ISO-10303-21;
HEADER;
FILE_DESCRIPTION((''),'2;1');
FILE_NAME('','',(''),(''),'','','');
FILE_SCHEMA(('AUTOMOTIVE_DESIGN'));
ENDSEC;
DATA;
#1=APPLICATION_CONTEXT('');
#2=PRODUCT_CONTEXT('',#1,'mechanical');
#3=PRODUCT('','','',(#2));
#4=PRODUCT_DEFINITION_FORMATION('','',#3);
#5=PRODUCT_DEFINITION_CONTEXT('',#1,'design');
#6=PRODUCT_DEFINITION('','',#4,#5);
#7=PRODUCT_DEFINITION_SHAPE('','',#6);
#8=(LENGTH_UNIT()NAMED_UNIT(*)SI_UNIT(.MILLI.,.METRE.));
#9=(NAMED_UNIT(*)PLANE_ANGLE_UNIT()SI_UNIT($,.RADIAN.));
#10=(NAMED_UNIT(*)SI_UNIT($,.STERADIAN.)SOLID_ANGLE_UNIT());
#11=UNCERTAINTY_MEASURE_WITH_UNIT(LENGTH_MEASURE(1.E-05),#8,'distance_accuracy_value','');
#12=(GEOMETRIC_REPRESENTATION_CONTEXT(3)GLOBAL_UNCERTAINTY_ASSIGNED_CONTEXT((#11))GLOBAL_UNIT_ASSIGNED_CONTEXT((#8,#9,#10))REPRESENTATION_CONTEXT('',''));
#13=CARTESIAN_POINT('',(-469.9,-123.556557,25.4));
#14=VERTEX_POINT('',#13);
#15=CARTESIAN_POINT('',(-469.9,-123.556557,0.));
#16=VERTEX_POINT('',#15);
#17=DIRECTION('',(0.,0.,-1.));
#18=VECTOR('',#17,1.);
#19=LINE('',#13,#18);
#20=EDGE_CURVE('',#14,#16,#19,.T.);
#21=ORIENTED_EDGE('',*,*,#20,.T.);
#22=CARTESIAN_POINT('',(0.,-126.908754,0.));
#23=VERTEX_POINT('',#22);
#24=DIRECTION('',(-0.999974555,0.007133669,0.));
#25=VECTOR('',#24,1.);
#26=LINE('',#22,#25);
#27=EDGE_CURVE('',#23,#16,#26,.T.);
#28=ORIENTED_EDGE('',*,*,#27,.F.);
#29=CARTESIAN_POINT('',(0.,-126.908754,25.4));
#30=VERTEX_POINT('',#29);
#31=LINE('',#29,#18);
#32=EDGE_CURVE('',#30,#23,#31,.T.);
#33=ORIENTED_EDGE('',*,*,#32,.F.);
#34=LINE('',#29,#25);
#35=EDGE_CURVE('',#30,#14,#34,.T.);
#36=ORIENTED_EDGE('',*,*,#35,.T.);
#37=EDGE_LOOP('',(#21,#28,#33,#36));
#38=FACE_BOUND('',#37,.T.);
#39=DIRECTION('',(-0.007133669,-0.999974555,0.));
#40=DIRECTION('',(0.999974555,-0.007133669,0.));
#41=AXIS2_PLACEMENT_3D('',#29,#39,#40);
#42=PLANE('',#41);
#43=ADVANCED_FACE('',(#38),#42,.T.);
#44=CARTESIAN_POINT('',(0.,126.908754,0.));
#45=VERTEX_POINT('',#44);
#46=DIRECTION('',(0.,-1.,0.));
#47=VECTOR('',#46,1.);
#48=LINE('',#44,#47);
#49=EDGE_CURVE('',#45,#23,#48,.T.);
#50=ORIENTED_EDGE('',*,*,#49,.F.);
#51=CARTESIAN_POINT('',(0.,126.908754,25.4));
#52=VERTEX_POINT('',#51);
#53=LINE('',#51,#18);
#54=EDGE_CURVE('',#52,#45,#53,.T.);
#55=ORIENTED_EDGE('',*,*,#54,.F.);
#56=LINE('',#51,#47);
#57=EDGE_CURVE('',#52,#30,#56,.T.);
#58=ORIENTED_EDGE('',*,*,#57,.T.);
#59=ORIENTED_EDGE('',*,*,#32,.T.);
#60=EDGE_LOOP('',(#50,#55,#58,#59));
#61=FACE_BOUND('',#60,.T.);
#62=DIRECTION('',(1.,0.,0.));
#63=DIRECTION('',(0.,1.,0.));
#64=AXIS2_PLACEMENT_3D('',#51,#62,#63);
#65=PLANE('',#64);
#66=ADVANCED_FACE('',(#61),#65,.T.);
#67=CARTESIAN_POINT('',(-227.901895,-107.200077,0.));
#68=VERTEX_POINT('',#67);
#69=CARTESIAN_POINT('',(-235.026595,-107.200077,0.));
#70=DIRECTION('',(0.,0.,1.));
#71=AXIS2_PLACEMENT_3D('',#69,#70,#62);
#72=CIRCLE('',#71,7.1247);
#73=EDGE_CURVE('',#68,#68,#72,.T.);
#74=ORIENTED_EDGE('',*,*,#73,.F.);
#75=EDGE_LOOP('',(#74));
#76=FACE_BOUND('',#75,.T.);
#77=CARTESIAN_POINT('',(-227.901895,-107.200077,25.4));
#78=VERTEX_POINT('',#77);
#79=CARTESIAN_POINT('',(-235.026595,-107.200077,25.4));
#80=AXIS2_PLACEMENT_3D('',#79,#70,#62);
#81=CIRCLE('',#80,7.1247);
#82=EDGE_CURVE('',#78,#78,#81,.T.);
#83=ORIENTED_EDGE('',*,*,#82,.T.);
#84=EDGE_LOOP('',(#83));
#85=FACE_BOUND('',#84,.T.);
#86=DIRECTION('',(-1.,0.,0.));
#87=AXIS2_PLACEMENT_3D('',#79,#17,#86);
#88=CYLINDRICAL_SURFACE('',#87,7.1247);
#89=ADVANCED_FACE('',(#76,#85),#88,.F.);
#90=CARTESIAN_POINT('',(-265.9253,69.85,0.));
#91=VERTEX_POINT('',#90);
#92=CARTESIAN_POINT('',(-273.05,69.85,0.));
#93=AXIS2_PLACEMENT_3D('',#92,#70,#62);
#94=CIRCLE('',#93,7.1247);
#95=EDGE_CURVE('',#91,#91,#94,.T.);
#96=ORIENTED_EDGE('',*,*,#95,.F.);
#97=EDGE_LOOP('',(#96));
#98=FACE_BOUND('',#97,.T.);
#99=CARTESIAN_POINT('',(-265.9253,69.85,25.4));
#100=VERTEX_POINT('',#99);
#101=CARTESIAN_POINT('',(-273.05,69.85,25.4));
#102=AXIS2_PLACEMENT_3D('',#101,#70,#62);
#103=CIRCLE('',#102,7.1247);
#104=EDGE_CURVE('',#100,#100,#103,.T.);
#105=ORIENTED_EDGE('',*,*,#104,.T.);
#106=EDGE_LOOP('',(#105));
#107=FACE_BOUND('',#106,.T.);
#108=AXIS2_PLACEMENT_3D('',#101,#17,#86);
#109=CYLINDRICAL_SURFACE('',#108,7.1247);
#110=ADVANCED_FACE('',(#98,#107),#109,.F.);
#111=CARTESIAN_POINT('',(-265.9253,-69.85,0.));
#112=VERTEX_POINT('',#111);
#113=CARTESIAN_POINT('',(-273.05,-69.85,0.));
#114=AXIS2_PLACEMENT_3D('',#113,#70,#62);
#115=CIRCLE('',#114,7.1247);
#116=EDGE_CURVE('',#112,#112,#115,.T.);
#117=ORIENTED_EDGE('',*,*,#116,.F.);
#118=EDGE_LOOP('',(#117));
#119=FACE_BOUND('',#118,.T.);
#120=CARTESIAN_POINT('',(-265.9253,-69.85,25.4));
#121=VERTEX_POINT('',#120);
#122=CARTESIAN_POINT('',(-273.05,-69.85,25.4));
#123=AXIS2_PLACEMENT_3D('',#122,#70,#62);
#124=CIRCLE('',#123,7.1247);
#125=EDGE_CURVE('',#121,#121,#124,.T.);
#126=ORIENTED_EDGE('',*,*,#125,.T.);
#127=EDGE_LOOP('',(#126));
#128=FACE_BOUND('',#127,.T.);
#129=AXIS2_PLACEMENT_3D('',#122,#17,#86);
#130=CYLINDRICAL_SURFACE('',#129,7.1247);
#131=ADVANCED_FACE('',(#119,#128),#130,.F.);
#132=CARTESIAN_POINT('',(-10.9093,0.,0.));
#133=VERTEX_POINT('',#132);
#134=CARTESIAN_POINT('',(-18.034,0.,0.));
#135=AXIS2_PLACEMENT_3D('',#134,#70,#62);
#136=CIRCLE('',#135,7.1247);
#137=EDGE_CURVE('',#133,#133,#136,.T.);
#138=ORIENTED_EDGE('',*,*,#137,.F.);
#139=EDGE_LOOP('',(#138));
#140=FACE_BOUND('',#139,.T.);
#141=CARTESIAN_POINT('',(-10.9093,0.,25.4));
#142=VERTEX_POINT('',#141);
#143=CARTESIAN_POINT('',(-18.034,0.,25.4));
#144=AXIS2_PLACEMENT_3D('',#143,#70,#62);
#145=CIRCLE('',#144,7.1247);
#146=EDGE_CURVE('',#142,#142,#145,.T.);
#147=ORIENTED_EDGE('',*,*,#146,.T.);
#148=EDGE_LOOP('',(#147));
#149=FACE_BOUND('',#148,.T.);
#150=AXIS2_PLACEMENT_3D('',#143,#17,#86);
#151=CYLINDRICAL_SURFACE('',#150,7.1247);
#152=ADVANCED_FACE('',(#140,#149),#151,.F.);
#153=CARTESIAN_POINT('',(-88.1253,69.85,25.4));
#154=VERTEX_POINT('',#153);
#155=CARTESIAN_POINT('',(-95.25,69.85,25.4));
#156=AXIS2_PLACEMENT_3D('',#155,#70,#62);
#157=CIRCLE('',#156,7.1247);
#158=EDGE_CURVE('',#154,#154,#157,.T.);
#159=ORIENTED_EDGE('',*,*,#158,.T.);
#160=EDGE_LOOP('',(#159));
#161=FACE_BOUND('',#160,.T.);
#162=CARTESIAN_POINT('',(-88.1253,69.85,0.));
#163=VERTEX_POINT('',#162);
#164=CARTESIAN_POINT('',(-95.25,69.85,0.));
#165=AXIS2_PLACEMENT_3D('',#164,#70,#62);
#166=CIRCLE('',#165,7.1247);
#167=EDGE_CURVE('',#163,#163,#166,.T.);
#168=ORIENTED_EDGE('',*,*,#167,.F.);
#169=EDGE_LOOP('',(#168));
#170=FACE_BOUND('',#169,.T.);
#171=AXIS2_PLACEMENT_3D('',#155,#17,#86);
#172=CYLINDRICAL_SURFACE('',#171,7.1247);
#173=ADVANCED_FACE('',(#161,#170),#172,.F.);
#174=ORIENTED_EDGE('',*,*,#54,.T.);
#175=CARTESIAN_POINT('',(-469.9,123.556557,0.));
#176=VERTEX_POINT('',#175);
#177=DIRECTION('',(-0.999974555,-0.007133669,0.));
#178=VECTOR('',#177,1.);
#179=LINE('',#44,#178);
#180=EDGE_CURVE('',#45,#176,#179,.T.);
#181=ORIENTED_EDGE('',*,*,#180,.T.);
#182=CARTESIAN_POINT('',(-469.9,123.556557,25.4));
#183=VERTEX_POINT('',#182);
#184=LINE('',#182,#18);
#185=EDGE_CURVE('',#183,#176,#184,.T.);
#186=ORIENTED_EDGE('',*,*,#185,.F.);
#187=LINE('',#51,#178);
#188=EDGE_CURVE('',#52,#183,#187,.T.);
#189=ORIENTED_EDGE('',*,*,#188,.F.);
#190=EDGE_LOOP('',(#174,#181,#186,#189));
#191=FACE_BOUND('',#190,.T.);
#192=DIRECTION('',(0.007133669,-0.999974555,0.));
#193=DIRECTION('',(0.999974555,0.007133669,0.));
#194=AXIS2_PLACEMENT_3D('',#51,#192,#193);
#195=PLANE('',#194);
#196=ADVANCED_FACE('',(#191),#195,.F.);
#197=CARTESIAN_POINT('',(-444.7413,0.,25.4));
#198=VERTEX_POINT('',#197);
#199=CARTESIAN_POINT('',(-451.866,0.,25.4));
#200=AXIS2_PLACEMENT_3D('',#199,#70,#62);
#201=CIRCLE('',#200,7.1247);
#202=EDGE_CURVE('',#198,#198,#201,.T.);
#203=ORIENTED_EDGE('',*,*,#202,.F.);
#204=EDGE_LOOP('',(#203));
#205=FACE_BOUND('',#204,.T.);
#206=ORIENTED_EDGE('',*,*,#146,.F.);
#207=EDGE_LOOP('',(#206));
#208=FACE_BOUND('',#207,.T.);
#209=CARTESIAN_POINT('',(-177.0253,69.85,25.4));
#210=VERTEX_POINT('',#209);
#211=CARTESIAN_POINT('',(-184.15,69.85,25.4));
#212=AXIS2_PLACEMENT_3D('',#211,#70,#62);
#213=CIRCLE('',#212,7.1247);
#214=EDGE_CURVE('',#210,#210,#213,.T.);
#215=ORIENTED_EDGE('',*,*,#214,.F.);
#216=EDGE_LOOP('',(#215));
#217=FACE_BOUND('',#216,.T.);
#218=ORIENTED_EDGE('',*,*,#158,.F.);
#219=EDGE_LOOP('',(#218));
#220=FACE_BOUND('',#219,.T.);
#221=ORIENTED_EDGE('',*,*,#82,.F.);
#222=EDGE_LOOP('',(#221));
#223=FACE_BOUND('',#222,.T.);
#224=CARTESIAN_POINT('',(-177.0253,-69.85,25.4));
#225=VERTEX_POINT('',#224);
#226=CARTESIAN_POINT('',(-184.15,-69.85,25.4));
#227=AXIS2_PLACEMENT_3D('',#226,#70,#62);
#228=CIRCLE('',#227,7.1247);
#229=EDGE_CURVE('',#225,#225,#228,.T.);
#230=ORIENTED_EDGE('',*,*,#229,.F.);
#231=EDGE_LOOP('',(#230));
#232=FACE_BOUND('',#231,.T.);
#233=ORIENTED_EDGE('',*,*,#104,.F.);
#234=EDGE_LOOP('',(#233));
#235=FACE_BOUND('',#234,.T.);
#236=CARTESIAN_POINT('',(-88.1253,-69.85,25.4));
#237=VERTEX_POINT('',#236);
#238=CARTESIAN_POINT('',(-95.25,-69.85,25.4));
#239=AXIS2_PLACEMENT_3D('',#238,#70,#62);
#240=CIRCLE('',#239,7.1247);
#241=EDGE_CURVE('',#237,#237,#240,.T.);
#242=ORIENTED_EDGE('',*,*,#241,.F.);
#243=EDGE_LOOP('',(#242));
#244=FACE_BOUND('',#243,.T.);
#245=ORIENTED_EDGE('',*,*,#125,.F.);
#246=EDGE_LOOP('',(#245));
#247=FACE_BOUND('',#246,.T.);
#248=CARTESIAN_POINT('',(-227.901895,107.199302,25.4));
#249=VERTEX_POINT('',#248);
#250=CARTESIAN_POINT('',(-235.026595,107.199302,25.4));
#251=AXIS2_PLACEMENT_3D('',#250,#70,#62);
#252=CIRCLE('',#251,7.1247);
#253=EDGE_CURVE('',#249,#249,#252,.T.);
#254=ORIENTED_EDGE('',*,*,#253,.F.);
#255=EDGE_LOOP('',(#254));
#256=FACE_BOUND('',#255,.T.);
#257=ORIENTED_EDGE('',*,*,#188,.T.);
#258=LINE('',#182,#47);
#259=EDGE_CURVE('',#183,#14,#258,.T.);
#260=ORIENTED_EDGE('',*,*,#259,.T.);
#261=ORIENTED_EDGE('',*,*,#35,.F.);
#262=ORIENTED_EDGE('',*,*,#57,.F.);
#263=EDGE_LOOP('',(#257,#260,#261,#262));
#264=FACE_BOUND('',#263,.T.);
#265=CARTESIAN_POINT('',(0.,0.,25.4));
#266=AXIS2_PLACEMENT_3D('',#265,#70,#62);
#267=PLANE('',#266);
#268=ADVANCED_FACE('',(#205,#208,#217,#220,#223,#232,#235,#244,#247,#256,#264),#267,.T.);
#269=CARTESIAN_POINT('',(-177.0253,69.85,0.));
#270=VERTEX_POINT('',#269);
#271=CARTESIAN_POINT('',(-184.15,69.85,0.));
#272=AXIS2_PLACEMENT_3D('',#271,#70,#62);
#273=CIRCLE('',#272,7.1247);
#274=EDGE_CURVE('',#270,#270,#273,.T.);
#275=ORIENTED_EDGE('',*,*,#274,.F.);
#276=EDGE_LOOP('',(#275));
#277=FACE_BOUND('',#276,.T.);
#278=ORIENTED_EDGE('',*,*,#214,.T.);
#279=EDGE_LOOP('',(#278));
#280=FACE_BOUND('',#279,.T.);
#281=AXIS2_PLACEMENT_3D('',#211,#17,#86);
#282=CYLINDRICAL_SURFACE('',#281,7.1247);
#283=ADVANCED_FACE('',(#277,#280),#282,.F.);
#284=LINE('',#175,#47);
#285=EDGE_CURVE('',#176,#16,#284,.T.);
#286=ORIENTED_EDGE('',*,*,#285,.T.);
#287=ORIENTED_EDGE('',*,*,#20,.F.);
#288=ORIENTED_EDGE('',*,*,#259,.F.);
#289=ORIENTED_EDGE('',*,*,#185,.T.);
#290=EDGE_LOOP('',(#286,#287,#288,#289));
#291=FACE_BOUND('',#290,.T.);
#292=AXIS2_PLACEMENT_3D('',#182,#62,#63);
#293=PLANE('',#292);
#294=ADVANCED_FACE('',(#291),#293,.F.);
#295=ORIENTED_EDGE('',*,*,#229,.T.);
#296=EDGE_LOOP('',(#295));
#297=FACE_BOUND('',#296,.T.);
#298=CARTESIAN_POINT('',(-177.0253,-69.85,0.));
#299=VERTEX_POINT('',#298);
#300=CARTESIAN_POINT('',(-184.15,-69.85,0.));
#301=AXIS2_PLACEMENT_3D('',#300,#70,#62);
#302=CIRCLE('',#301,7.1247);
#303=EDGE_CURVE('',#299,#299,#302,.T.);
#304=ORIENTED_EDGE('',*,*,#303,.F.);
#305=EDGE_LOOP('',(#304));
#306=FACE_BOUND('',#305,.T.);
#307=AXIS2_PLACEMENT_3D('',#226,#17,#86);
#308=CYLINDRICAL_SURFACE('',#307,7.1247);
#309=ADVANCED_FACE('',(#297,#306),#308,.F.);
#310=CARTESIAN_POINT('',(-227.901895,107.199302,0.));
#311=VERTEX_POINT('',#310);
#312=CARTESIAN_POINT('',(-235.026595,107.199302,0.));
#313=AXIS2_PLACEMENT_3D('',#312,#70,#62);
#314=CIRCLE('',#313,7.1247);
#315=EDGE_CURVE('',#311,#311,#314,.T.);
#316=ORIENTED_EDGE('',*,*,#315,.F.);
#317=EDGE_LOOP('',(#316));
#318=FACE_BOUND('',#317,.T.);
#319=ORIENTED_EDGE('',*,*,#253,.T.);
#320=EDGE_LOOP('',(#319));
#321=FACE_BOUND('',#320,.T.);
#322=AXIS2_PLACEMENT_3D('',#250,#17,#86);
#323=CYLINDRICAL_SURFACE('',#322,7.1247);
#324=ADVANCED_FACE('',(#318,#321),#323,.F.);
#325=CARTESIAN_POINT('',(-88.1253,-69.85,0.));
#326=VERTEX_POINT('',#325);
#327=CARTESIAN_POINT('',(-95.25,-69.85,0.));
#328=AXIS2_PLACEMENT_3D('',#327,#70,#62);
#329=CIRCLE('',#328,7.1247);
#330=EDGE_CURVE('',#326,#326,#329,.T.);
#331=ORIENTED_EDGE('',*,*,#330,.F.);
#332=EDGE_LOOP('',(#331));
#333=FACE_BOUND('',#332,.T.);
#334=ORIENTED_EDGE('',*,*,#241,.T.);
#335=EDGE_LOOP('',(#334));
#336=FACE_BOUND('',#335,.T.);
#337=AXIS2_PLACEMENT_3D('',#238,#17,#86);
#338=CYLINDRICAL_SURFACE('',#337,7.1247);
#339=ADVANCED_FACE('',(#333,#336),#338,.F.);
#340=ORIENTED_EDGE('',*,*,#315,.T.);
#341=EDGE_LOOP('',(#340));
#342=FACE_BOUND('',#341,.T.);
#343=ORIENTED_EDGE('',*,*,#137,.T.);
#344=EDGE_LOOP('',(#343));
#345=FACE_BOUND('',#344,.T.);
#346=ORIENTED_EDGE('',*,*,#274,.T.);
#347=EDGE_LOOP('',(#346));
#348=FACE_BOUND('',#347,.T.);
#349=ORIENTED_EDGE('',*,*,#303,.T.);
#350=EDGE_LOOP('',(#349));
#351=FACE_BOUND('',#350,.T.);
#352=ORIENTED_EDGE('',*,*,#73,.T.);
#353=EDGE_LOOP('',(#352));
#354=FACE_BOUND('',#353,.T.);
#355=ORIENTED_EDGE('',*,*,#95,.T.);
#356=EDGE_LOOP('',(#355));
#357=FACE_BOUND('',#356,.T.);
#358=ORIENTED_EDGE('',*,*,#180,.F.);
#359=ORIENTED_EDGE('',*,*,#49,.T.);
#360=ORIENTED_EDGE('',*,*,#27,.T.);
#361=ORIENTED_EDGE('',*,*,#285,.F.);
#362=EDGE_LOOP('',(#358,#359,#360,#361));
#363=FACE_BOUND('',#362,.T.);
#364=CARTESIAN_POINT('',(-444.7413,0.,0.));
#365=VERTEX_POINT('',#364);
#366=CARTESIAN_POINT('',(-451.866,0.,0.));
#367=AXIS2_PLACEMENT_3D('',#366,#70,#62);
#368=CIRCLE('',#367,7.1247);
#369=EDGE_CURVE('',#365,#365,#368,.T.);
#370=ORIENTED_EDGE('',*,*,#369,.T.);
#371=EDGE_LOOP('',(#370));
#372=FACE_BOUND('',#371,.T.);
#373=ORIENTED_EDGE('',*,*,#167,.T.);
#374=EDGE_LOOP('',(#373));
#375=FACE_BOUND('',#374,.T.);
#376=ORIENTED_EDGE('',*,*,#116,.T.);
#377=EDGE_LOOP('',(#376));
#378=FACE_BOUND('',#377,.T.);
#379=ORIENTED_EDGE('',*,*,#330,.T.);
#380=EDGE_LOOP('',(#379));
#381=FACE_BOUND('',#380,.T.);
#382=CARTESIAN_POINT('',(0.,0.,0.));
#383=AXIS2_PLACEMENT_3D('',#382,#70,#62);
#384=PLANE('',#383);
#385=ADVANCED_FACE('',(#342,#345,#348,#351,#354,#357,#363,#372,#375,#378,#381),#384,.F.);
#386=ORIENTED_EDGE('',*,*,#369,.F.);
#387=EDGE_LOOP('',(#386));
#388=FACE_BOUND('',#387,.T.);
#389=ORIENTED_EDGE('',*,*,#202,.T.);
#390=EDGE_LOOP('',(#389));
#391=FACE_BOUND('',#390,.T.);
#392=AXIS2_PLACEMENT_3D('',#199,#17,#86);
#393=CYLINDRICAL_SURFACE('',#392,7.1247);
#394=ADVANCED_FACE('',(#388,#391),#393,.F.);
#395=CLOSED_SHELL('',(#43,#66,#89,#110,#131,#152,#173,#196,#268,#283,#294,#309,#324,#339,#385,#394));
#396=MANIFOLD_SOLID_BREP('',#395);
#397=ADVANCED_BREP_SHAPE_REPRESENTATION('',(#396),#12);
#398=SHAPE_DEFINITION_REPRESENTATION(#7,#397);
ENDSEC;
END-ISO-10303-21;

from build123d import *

# Parameters (mm, degrees)
BOSS_EXTRUDE2_DEPTH = 25.4
SKETCH2_R           = 7.1247
CUT_EXTRUDE1_DEPTH  = 25.4
SKETCH2_3_R         = 7.1247
CUT_EXTRUDE2_DEPTH  = 25.4
SKETCH2_4_R         = 7.1247
CUT_EXTRUDE3_DEPTH  = 25.4
SKETCH2_5_R         = 7.1247
CUT_EXTRUDE4_DEPTH  = 25.4
SKETCH2_6_R         = 7.1247
CUT_EXTRUDE5_DEPTH  = 25.4
SKETCH2_7_R         = 7.1247
CUT_EXTRUDE6_DEPTH  = 25.4
SKETCH2_8_R         = 7.1247
CUT_EXTRUDE7_DEPTH  = 25.4
SKETCH2_9_R         = 7.1247
CUT_EXTRUDE8_DEPTH  = 25.4
SKETCH2_10_R        = 7.1247
CUT_EXTRUDE9_DEPTH  = 25.4
SKETCH2_11_R        = 7.1247
CUT_EXTRUDE10_DEPTH = 25.4


with BuildPart() as part:
    # Pedal Box Floor → Boss-Extrude2 (new body)
    with BuildSketch(Plane.XY):
        Polygon((0, -126.908753769), (-469.9, -123.556557293), (-469.9, 123.556557293), (0, 126.908753769), align=None)
    extrude(amount=BOSS_EXTRUDE2_DEPTH)

    # Sketch2 → Cut-Extrude1 (cut)
    with BuildSketch(Plane.XY):
        with Locations((-235.026595282, 107.199301857)):
            Circle(SKETCH2_R)
    extrude(amount=CUT_EXTRUDE1_DEPTH, mode=Mode.SUBTRACT)

    # Sketch2<3> → Cut-Extrude2 (cut)
    with BuildSketch(Plane.XY):
        with Locations((-18.034, 0)):
            Circle(SKETCH2_3_R)
    extrude(amount=CUT_EXTRUDE2_DEPTH, mode=Mode.SUBTRACT)

    # Sketch2<4> → Cut-Extrude3 (cut)
    with BuildSketch(Plane.XY):
        with Locations((-451.866, 0)):
            Circle(SKETCH2_4_R)
    extrude(amount=CUT_EXTRUDE3_DEPTH, mode=Mode.SUBTRACT)

    # Sketch2<5> → Cut-Extrude4 (cut)
    with BuildSketch(Plane.XY):
        with Locations((-235.026595282, -107.200076916)):
            Circle(SKETCH2_5_R)
    extrude(amount=CUT_EXTRUDE4_DEPTH, mode=Mode.SUBTRACT)

    # Sketch2<6> → Cut-Extrude5 (cut)
    with BuildSketch(Plane.XY):
        with Locations((-273.05, -69.85)):
            Circle(SKETCH2_6_R)
    extrude(amount=CUT_EXTRUDE5_DEPTH, mode=Mode.SUBTRACT)

    # Sketch2<7> → Cut-Extrude6 (cut)
    with BuildSketch(Plane.XY):
        with Locations((-184.15, -69.85)):
            Circle(SKETCH2_7_R)
    extrude(amount=CUT_EXTRUDE6_DEPTH, mode=Mode.SUBTRACT)

    # Sketch2<8> → Cut-Extrude7 (cut)
    with BuildSketch(Plane.XY):
        with Locations((-95.25, -69.85)):
            Circle(SKETCH2_8_R)
    extrude(amount=CUT_EXTRUDE7_DEPTH, mode=Mode.SUBTRACT)

    # Sketch2<9> → Cut-Extrude8 (cut)
    with BuildSketch(Plane.XY):
        with Locations((-273.05, 69.85)):
            Circle(SKETCH2_9_R)
    extrude(amount=CUT_EXTRUDE8_DEPTH, mode=Mode.SUBTRACT)

    # Sketch2<10> → Cut-Extrude9 (cut)
    with BuildSketch(Plane.XY):
        with Locations((-184.15, 69.85)):
            Circle(SKETCH2_10_R)
    extrude(amount=CUT_EXTRUDE9_DEPTH, mode=Mode.SUBTRACT)

    # Sketch2<11> → Cut-Extrude10 (cut)
    with BuildSketch(Plane.XY):
        with Locations((-95.25, 69.85)):
            Circle(SKETCH2_11_R)
    extrude(amount=CUT_EXTRUDE10_DEPTH, mode=Mode.SUBTRACT)


solid = part.part
